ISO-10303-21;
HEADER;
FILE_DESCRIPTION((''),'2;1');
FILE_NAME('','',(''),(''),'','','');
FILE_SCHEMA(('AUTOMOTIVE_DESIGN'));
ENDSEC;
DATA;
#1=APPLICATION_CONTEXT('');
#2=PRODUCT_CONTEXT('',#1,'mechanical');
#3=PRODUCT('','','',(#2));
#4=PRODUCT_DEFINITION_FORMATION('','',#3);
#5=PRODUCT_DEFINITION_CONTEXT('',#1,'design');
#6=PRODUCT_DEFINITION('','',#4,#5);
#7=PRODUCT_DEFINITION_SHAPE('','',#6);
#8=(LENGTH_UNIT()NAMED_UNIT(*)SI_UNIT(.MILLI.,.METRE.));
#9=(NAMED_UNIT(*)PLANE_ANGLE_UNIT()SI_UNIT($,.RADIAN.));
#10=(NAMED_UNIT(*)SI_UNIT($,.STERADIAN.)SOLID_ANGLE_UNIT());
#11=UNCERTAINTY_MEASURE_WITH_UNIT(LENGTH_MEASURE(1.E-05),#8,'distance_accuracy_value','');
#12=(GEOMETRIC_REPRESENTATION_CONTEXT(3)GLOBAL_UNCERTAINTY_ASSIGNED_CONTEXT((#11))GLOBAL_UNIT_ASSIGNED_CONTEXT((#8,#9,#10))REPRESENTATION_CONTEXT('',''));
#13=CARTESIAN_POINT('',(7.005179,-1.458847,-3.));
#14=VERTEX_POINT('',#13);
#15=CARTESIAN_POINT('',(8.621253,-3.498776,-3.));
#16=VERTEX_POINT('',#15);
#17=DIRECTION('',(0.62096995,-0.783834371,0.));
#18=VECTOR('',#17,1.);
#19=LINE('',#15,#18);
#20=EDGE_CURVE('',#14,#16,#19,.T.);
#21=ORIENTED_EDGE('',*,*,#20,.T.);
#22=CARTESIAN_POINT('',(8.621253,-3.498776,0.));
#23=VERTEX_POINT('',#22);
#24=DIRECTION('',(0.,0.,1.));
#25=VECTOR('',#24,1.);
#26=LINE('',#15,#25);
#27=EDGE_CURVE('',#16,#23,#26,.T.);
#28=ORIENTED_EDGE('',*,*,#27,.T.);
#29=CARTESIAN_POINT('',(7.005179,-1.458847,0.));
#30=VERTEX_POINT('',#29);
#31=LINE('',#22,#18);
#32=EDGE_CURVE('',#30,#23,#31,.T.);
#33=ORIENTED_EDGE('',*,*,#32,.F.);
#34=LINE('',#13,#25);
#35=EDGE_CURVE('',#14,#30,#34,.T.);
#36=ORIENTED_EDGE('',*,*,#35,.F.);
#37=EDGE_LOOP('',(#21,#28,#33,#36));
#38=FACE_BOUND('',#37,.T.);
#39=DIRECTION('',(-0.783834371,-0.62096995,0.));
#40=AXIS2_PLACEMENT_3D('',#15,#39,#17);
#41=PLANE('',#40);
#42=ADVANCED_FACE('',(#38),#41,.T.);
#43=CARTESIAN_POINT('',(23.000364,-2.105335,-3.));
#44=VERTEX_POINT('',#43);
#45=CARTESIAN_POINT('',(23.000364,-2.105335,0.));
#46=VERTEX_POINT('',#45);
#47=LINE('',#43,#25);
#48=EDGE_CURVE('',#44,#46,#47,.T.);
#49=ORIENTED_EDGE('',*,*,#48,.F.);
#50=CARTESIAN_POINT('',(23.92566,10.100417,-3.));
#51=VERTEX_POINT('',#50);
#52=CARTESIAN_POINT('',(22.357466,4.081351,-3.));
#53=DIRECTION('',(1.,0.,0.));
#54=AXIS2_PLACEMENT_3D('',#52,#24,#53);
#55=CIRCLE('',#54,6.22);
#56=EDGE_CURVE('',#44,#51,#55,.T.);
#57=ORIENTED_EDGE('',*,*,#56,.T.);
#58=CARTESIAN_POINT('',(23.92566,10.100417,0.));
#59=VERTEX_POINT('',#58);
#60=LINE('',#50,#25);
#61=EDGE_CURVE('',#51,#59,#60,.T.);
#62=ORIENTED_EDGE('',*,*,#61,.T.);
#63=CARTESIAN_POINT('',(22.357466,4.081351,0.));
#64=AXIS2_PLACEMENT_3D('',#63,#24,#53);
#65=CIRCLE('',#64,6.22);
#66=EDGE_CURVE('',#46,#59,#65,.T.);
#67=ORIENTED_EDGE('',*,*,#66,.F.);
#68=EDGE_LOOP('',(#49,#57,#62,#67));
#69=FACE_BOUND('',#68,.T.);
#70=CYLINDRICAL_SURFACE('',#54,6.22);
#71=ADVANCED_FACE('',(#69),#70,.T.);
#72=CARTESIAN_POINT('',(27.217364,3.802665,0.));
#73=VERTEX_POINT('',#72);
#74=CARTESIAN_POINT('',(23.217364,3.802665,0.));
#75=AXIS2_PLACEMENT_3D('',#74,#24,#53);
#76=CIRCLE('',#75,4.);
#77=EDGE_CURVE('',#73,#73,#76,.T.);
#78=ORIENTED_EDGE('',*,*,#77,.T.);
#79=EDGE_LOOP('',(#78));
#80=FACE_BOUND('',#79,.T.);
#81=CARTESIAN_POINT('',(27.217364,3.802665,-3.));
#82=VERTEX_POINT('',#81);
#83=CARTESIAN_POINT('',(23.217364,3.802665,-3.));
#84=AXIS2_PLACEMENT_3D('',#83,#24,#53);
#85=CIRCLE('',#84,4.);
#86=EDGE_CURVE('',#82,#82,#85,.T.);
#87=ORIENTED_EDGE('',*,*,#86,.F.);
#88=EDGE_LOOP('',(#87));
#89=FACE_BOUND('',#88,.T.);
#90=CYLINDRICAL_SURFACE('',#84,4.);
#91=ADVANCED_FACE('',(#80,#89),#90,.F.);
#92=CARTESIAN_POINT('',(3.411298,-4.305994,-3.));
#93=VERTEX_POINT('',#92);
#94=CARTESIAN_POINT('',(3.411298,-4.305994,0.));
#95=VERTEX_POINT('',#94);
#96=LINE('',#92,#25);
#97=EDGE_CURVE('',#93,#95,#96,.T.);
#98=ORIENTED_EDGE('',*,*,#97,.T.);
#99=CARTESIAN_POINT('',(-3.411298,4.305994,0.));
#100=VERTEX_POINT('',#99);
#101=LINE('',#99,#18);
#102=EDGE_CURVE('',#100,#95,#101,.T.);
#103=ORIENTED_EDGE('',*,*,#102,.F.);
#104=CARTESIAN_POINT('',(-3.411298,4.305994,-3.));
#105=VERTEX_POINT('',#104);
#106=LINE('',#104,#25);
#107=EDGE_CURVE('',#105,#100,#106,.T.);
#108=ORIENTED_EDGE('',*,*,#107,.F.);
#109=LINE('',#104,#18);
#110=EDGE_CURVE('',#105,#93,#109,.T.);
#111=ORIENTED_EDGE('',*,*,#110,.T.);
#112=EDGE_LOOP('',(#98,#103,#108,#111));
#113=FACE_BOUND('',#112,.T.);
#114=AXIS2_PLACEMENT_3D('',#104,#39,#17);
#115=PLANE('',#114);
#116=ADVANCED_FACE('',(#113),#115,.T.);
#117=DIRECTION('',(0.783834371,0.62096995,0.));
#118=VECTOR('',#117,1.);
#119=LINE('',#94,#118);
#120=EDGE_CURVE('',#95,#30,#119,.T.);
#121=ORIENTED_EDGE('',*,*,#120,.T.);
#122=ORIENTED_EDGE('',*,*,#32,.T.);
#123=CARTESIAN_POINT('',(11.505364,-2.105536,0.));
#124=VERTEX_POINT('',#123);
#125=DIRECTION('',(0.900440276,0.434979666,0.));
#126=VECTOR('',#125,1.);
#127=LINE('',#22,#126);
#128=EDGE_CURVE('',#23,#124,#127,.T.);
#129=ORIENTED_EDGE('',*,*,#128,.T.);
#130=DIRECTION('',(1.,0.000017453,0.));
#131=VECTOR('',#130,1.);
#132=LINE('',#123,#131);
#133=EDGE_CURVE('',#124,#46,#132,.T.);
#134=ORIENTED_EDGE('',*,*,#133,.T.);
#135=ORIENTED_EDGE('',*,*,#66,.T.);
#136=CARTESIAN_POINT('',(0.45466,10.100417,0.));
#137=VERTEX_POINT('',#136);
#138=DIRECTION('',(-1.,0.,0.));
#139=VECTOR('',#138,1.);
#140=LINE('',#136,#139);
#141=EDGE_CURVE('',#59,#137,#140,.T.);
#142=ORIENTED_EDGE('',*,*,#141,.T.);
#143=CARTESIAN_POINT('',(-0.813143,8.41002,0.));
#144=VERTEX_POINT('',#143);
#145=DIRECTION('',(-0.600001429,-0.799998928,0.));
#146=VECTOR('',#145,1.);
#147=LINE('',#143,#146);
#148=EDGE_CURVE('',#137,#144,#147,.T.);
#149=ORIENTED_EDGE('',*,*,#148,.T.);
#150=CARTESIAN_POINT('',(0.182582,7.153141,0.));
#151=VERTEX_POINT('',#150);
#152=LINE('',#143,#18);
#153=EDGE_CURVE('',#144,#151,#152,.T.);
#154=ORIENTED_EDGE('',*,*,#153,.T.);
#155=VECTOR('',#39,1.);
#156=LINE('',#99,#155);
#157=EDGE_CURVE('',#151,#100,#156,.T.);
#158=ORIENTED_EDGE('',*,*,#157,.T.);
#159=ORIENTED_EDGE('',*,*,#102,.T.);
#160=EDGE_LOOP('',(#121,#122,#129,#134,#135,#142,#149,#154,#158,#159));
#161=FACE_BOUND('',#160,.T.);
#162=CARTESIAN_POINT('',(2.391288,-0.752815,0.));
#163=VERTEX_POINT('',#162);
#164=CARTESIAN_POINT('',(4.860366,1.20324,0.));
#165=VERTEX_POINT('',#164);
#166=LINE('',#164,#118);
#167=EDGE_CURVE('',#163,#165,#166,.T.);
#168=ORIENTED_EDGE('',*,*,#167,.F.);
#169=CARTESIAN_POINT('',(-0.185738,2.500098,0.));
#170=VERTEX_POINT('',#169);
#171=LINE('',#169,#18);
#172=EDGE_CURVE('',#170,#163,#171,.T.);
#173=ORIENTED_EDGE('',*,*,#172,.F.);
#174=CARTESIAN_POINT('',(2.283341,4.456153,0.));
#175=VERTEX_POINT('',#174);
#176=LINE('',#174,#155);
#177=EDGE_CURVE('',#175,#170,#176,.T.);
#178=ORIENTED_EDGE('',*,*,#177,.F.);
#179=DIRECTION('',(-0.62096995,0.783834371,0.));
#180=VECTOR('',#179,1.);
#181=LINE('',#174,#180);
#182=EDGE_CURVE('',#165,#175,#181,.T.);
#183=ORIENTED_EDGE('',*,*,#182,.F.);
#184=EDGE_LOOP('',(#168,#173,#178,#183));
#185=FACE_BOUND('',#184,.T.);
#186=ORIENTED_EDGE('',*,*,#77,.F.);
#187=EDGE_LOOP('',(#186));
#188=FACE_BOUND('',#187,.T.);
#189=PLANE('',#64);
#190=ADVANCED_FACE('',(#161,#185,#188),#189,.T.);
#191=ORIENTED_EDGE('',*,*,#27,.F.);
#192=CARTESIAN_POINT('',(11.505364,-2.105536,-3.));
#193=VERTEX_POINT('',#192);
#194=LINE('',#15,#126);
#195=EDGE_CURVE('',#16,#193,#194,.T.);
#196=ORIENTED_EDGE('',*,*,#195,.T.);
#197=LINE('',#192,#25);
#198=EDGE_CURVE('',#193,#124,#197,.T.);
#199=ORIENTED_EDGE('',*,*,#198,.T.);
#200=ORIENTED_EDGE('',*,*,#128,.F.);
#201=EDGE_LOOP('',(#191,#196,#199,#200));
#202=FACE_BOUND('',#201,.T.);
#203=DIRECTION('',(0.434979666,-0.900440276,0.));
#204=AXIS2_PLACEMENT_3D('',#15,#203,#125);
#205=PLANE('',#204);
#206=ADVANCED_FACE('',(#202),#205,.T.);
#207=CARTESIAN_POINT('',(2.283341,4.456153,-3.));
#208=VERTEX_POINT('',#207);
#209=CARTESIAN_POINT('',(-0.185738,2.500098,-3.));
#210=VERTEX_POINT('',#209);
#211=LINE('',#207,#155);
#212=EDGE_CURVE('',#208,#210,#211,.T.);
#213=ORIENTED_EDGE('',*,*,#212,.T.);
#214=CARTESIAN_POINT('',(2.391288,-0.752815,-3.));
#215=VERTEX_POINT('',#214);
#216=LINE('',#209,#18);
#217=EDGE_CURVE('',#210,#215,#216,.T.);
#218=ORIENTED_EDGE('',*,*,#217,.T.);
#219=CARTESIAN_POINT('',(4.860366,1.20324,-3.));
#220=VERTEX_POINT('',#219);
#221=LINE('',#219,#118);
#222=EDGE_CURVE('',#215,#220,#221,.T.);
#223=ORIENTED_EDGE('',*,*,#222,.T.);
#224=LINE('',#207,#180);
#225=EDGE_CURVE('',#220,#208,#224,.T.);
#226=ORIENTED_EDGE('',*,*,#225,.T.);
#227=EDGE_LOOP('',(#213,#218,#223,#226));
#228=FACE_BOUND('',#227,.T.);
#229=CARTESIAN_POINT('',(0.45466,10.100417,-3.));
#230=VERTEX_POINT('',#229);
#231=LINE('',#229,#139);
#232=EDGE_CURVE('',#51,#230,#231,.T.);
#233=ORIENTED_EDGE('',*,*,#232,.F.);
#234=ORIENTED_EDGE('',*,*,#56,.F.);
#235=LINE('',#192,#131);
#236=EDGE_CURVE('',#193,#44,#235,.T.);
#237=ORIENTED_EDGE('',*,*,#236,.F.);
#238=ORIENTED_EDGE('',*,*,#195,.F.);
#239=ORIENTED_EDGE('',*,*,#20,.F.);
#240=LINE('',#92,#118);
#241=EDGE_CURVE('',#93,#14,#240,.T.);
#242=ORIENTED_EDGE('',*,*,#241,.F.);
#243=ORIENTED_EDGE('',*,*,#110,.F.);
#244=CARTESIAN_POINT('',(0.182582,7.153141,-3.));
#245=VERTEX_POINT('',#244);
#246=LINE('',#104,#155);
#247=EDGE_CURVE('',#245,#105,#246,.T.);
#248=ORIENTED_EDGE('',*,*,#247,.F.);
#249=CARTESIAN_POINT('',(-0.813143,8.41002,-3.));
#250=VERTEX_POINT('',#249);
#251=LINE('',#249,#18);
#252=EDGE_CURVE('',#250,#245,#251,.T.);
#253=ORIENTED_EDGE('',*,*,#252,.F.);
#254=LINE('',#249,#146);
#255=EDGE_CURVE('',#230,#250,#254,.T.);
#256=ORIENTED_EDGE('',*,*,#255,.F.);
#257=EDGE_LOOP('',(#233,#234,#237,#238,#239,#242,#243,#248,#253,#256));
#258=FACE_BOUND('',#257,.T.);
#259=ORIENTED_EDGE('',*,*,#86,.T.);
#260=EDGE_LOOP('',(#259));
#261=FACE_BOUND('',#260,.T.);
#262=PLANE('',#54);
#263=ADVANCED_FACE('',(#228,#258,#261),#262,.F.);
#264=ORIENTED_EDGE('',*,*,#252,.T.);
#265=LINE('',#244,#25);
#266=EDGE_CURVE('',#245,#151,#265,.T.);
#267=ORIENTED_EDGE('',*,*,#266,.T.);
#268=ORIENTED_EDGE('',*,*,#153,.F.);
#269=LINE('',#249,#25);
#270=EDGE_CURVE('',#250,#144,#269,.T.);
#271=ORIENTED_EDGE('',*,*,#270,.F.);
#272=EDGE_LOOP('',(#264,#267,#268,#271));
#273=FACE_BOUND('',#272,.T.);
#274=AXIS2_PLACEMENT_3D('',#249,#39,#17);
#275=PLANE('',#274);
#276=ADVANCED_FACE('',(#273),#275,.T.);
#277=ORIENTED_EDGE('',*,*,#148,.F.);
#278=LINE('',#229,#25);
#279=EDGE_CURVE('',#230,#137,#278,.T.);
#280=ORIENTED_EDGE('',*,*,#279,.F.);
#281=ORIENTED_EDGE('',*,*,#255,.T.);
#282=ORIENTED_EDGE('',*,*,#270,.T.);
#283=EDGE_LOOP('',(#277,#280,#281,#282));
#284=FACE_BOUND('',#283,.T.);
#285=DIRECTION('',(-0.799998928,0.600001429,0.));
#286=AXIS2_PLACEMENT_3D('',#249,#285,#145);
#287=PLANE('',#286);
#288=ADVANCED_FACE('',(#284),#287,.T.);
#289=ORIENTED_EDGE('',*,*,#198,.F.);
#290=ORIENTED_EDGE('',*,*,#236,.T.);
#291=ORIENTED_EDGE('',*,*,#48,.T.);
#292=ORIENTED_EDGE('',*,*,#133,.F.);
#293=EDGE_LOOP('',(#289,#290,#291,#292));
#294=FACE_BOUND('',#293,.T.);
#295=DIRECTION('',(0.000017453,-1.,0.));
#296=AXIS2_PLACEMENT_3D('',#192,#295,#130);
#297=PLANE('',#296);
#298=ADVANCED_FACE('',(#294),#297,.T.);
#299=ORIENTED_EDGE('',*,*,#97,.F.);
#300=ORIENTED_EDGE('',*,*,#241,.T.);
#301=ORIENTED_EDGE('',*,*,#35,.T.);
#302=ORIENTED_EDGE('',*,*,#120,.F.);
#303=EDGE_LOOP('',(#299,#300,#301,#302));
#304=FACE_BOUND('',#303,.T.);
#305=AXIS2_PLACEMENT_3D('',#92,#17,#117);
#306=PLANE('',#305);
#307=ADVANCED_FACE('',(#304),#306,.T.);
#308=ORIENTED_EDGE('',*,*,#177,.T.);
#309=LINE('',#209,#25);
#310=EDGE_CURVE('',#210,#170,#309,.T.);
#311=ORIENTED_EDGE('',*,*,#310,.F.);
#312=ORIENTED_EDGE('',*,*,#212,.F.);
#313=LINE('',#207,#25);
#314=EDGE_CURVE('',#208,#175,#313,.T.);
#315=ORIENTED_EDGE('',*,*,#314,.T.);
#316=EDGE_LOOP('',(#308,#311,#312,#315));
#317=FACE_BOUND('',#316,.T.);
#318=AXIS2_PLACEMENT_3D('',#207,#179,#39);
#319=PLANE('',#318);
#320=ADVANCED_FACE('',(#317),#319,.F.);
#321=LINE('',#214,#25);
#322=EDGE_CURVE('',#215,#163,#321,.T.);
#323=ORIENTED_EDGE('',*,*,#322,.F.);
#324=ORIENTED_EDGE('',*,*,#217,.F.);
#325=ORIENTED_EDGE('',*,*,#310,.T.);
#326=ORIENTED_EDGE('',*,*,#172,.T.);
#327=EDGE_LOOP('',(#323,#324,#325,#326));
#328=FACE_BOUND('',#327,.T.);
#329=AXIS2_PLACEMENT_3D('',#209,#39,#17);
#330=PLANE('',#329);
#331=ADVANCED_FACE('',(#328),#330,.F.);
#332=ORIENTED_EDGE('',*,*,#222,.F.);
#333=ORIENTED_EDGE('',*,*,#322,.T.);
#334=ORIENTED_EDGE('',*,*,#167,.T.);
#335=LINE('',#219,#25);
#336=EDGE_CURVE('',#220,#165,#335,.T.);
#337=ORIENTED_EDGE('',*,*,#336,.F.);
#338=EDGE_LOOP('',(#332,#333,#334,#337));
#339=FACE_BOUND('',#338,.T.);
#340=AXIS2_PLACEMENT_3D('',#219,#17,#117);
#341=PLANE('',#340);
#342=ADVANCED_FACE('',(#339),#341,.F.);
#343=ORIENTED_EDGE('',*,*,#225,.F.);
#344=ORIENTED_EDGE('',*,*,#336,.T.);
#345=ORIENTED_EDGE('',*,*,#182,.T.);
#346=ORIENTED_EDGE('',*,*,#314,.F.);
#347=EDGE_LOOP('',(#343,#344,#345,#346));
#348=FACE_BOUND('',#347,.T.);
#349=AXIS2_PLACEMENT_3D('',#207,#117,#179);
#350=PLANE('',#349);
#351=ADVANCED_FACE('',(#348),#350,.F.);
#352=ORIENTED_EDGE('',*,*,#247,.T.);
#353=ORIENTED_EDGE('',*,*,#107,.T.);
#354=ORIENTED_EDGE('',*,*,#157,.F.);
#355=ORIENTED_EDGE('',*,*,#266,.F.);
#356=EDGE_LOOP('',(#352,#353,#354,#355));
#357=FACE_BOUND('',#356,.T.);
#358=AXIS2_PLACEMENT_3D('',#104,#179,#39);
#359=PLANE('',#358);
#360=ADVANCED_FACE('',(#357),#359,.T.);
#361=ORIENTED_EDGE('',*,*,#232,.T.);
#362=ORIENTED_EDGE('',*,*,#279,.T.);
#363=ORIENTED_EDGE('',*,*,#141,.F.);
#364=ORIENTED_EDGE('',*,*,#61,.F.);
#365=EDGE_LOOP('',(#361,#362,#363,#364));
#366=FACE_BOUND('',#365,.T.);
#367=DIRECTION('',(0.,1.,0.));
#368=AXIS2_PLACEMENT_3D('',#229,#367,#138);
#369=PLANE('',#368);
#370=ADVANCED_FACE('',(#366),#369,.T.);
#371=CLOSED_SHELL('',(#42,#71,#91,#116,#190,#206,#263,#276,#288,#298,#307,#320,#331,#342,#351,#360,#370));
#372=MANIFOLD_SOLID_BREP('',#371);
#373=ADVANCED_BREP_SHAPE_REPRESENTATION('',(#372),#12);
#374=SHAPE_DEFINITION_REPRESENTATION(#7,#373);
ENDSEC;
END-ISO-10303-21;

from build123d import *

# Parameters (mm, degrees)
SKETCH1_R           = 4
BOSS_EXTRUDE1_DEPTH = 3


with BuildPart() as part:
    # Sketch1 → Boss-Extrude1 (new body)
    with BuildSketch(Plane.XY):
        with BuildLine():
            Line((-3.41129842, 4.305994118), (3.41129842, -4.305994118))
            Line((3.41129842, -4.305994118), (7.005179011, -1.458846897))
            Line((7.005179011, -1.458846897), (8.621253306, -3.498775848))
            Line((8.621253306, -3.498775848), (11.505363509, -2.105535978))
            Line((11.505363509, -2.105535978), (23.000363507, -2.105335353))
            ThreePointArc((23.000363507, -2.105335353), (28.559669511, 3.611172521), (23.925659877, 10.100417487))
            Line((23.925659877, 10.100417487), (0.454659877, 10.100417487))
            Line((0.454659877, 10.100417487), (-0.813143143, 8.410019752))
            Line((-0.813143143, 8.410019752), (0.182582172, 7.153141338))
            Line((0.182582172, 7.153141338), (-3.41129842, 4.305994118))
        make_face()
        with Locations((23.217363507, 3.802664647)):
            Circle(SKETCH1_R, mode=Mode.SUBTRACT)
        Polygon((2.283340507, 4.456152944), (4.860365799, 1.203240304), (2.39128753, -0.752815038), (-0.185737762, 2.500097602), align=None, mode=Mode.SUBTRACT)
    extrude(amount=-BOSS_EXTRUDE1_DEPTH)


solid = part.part
